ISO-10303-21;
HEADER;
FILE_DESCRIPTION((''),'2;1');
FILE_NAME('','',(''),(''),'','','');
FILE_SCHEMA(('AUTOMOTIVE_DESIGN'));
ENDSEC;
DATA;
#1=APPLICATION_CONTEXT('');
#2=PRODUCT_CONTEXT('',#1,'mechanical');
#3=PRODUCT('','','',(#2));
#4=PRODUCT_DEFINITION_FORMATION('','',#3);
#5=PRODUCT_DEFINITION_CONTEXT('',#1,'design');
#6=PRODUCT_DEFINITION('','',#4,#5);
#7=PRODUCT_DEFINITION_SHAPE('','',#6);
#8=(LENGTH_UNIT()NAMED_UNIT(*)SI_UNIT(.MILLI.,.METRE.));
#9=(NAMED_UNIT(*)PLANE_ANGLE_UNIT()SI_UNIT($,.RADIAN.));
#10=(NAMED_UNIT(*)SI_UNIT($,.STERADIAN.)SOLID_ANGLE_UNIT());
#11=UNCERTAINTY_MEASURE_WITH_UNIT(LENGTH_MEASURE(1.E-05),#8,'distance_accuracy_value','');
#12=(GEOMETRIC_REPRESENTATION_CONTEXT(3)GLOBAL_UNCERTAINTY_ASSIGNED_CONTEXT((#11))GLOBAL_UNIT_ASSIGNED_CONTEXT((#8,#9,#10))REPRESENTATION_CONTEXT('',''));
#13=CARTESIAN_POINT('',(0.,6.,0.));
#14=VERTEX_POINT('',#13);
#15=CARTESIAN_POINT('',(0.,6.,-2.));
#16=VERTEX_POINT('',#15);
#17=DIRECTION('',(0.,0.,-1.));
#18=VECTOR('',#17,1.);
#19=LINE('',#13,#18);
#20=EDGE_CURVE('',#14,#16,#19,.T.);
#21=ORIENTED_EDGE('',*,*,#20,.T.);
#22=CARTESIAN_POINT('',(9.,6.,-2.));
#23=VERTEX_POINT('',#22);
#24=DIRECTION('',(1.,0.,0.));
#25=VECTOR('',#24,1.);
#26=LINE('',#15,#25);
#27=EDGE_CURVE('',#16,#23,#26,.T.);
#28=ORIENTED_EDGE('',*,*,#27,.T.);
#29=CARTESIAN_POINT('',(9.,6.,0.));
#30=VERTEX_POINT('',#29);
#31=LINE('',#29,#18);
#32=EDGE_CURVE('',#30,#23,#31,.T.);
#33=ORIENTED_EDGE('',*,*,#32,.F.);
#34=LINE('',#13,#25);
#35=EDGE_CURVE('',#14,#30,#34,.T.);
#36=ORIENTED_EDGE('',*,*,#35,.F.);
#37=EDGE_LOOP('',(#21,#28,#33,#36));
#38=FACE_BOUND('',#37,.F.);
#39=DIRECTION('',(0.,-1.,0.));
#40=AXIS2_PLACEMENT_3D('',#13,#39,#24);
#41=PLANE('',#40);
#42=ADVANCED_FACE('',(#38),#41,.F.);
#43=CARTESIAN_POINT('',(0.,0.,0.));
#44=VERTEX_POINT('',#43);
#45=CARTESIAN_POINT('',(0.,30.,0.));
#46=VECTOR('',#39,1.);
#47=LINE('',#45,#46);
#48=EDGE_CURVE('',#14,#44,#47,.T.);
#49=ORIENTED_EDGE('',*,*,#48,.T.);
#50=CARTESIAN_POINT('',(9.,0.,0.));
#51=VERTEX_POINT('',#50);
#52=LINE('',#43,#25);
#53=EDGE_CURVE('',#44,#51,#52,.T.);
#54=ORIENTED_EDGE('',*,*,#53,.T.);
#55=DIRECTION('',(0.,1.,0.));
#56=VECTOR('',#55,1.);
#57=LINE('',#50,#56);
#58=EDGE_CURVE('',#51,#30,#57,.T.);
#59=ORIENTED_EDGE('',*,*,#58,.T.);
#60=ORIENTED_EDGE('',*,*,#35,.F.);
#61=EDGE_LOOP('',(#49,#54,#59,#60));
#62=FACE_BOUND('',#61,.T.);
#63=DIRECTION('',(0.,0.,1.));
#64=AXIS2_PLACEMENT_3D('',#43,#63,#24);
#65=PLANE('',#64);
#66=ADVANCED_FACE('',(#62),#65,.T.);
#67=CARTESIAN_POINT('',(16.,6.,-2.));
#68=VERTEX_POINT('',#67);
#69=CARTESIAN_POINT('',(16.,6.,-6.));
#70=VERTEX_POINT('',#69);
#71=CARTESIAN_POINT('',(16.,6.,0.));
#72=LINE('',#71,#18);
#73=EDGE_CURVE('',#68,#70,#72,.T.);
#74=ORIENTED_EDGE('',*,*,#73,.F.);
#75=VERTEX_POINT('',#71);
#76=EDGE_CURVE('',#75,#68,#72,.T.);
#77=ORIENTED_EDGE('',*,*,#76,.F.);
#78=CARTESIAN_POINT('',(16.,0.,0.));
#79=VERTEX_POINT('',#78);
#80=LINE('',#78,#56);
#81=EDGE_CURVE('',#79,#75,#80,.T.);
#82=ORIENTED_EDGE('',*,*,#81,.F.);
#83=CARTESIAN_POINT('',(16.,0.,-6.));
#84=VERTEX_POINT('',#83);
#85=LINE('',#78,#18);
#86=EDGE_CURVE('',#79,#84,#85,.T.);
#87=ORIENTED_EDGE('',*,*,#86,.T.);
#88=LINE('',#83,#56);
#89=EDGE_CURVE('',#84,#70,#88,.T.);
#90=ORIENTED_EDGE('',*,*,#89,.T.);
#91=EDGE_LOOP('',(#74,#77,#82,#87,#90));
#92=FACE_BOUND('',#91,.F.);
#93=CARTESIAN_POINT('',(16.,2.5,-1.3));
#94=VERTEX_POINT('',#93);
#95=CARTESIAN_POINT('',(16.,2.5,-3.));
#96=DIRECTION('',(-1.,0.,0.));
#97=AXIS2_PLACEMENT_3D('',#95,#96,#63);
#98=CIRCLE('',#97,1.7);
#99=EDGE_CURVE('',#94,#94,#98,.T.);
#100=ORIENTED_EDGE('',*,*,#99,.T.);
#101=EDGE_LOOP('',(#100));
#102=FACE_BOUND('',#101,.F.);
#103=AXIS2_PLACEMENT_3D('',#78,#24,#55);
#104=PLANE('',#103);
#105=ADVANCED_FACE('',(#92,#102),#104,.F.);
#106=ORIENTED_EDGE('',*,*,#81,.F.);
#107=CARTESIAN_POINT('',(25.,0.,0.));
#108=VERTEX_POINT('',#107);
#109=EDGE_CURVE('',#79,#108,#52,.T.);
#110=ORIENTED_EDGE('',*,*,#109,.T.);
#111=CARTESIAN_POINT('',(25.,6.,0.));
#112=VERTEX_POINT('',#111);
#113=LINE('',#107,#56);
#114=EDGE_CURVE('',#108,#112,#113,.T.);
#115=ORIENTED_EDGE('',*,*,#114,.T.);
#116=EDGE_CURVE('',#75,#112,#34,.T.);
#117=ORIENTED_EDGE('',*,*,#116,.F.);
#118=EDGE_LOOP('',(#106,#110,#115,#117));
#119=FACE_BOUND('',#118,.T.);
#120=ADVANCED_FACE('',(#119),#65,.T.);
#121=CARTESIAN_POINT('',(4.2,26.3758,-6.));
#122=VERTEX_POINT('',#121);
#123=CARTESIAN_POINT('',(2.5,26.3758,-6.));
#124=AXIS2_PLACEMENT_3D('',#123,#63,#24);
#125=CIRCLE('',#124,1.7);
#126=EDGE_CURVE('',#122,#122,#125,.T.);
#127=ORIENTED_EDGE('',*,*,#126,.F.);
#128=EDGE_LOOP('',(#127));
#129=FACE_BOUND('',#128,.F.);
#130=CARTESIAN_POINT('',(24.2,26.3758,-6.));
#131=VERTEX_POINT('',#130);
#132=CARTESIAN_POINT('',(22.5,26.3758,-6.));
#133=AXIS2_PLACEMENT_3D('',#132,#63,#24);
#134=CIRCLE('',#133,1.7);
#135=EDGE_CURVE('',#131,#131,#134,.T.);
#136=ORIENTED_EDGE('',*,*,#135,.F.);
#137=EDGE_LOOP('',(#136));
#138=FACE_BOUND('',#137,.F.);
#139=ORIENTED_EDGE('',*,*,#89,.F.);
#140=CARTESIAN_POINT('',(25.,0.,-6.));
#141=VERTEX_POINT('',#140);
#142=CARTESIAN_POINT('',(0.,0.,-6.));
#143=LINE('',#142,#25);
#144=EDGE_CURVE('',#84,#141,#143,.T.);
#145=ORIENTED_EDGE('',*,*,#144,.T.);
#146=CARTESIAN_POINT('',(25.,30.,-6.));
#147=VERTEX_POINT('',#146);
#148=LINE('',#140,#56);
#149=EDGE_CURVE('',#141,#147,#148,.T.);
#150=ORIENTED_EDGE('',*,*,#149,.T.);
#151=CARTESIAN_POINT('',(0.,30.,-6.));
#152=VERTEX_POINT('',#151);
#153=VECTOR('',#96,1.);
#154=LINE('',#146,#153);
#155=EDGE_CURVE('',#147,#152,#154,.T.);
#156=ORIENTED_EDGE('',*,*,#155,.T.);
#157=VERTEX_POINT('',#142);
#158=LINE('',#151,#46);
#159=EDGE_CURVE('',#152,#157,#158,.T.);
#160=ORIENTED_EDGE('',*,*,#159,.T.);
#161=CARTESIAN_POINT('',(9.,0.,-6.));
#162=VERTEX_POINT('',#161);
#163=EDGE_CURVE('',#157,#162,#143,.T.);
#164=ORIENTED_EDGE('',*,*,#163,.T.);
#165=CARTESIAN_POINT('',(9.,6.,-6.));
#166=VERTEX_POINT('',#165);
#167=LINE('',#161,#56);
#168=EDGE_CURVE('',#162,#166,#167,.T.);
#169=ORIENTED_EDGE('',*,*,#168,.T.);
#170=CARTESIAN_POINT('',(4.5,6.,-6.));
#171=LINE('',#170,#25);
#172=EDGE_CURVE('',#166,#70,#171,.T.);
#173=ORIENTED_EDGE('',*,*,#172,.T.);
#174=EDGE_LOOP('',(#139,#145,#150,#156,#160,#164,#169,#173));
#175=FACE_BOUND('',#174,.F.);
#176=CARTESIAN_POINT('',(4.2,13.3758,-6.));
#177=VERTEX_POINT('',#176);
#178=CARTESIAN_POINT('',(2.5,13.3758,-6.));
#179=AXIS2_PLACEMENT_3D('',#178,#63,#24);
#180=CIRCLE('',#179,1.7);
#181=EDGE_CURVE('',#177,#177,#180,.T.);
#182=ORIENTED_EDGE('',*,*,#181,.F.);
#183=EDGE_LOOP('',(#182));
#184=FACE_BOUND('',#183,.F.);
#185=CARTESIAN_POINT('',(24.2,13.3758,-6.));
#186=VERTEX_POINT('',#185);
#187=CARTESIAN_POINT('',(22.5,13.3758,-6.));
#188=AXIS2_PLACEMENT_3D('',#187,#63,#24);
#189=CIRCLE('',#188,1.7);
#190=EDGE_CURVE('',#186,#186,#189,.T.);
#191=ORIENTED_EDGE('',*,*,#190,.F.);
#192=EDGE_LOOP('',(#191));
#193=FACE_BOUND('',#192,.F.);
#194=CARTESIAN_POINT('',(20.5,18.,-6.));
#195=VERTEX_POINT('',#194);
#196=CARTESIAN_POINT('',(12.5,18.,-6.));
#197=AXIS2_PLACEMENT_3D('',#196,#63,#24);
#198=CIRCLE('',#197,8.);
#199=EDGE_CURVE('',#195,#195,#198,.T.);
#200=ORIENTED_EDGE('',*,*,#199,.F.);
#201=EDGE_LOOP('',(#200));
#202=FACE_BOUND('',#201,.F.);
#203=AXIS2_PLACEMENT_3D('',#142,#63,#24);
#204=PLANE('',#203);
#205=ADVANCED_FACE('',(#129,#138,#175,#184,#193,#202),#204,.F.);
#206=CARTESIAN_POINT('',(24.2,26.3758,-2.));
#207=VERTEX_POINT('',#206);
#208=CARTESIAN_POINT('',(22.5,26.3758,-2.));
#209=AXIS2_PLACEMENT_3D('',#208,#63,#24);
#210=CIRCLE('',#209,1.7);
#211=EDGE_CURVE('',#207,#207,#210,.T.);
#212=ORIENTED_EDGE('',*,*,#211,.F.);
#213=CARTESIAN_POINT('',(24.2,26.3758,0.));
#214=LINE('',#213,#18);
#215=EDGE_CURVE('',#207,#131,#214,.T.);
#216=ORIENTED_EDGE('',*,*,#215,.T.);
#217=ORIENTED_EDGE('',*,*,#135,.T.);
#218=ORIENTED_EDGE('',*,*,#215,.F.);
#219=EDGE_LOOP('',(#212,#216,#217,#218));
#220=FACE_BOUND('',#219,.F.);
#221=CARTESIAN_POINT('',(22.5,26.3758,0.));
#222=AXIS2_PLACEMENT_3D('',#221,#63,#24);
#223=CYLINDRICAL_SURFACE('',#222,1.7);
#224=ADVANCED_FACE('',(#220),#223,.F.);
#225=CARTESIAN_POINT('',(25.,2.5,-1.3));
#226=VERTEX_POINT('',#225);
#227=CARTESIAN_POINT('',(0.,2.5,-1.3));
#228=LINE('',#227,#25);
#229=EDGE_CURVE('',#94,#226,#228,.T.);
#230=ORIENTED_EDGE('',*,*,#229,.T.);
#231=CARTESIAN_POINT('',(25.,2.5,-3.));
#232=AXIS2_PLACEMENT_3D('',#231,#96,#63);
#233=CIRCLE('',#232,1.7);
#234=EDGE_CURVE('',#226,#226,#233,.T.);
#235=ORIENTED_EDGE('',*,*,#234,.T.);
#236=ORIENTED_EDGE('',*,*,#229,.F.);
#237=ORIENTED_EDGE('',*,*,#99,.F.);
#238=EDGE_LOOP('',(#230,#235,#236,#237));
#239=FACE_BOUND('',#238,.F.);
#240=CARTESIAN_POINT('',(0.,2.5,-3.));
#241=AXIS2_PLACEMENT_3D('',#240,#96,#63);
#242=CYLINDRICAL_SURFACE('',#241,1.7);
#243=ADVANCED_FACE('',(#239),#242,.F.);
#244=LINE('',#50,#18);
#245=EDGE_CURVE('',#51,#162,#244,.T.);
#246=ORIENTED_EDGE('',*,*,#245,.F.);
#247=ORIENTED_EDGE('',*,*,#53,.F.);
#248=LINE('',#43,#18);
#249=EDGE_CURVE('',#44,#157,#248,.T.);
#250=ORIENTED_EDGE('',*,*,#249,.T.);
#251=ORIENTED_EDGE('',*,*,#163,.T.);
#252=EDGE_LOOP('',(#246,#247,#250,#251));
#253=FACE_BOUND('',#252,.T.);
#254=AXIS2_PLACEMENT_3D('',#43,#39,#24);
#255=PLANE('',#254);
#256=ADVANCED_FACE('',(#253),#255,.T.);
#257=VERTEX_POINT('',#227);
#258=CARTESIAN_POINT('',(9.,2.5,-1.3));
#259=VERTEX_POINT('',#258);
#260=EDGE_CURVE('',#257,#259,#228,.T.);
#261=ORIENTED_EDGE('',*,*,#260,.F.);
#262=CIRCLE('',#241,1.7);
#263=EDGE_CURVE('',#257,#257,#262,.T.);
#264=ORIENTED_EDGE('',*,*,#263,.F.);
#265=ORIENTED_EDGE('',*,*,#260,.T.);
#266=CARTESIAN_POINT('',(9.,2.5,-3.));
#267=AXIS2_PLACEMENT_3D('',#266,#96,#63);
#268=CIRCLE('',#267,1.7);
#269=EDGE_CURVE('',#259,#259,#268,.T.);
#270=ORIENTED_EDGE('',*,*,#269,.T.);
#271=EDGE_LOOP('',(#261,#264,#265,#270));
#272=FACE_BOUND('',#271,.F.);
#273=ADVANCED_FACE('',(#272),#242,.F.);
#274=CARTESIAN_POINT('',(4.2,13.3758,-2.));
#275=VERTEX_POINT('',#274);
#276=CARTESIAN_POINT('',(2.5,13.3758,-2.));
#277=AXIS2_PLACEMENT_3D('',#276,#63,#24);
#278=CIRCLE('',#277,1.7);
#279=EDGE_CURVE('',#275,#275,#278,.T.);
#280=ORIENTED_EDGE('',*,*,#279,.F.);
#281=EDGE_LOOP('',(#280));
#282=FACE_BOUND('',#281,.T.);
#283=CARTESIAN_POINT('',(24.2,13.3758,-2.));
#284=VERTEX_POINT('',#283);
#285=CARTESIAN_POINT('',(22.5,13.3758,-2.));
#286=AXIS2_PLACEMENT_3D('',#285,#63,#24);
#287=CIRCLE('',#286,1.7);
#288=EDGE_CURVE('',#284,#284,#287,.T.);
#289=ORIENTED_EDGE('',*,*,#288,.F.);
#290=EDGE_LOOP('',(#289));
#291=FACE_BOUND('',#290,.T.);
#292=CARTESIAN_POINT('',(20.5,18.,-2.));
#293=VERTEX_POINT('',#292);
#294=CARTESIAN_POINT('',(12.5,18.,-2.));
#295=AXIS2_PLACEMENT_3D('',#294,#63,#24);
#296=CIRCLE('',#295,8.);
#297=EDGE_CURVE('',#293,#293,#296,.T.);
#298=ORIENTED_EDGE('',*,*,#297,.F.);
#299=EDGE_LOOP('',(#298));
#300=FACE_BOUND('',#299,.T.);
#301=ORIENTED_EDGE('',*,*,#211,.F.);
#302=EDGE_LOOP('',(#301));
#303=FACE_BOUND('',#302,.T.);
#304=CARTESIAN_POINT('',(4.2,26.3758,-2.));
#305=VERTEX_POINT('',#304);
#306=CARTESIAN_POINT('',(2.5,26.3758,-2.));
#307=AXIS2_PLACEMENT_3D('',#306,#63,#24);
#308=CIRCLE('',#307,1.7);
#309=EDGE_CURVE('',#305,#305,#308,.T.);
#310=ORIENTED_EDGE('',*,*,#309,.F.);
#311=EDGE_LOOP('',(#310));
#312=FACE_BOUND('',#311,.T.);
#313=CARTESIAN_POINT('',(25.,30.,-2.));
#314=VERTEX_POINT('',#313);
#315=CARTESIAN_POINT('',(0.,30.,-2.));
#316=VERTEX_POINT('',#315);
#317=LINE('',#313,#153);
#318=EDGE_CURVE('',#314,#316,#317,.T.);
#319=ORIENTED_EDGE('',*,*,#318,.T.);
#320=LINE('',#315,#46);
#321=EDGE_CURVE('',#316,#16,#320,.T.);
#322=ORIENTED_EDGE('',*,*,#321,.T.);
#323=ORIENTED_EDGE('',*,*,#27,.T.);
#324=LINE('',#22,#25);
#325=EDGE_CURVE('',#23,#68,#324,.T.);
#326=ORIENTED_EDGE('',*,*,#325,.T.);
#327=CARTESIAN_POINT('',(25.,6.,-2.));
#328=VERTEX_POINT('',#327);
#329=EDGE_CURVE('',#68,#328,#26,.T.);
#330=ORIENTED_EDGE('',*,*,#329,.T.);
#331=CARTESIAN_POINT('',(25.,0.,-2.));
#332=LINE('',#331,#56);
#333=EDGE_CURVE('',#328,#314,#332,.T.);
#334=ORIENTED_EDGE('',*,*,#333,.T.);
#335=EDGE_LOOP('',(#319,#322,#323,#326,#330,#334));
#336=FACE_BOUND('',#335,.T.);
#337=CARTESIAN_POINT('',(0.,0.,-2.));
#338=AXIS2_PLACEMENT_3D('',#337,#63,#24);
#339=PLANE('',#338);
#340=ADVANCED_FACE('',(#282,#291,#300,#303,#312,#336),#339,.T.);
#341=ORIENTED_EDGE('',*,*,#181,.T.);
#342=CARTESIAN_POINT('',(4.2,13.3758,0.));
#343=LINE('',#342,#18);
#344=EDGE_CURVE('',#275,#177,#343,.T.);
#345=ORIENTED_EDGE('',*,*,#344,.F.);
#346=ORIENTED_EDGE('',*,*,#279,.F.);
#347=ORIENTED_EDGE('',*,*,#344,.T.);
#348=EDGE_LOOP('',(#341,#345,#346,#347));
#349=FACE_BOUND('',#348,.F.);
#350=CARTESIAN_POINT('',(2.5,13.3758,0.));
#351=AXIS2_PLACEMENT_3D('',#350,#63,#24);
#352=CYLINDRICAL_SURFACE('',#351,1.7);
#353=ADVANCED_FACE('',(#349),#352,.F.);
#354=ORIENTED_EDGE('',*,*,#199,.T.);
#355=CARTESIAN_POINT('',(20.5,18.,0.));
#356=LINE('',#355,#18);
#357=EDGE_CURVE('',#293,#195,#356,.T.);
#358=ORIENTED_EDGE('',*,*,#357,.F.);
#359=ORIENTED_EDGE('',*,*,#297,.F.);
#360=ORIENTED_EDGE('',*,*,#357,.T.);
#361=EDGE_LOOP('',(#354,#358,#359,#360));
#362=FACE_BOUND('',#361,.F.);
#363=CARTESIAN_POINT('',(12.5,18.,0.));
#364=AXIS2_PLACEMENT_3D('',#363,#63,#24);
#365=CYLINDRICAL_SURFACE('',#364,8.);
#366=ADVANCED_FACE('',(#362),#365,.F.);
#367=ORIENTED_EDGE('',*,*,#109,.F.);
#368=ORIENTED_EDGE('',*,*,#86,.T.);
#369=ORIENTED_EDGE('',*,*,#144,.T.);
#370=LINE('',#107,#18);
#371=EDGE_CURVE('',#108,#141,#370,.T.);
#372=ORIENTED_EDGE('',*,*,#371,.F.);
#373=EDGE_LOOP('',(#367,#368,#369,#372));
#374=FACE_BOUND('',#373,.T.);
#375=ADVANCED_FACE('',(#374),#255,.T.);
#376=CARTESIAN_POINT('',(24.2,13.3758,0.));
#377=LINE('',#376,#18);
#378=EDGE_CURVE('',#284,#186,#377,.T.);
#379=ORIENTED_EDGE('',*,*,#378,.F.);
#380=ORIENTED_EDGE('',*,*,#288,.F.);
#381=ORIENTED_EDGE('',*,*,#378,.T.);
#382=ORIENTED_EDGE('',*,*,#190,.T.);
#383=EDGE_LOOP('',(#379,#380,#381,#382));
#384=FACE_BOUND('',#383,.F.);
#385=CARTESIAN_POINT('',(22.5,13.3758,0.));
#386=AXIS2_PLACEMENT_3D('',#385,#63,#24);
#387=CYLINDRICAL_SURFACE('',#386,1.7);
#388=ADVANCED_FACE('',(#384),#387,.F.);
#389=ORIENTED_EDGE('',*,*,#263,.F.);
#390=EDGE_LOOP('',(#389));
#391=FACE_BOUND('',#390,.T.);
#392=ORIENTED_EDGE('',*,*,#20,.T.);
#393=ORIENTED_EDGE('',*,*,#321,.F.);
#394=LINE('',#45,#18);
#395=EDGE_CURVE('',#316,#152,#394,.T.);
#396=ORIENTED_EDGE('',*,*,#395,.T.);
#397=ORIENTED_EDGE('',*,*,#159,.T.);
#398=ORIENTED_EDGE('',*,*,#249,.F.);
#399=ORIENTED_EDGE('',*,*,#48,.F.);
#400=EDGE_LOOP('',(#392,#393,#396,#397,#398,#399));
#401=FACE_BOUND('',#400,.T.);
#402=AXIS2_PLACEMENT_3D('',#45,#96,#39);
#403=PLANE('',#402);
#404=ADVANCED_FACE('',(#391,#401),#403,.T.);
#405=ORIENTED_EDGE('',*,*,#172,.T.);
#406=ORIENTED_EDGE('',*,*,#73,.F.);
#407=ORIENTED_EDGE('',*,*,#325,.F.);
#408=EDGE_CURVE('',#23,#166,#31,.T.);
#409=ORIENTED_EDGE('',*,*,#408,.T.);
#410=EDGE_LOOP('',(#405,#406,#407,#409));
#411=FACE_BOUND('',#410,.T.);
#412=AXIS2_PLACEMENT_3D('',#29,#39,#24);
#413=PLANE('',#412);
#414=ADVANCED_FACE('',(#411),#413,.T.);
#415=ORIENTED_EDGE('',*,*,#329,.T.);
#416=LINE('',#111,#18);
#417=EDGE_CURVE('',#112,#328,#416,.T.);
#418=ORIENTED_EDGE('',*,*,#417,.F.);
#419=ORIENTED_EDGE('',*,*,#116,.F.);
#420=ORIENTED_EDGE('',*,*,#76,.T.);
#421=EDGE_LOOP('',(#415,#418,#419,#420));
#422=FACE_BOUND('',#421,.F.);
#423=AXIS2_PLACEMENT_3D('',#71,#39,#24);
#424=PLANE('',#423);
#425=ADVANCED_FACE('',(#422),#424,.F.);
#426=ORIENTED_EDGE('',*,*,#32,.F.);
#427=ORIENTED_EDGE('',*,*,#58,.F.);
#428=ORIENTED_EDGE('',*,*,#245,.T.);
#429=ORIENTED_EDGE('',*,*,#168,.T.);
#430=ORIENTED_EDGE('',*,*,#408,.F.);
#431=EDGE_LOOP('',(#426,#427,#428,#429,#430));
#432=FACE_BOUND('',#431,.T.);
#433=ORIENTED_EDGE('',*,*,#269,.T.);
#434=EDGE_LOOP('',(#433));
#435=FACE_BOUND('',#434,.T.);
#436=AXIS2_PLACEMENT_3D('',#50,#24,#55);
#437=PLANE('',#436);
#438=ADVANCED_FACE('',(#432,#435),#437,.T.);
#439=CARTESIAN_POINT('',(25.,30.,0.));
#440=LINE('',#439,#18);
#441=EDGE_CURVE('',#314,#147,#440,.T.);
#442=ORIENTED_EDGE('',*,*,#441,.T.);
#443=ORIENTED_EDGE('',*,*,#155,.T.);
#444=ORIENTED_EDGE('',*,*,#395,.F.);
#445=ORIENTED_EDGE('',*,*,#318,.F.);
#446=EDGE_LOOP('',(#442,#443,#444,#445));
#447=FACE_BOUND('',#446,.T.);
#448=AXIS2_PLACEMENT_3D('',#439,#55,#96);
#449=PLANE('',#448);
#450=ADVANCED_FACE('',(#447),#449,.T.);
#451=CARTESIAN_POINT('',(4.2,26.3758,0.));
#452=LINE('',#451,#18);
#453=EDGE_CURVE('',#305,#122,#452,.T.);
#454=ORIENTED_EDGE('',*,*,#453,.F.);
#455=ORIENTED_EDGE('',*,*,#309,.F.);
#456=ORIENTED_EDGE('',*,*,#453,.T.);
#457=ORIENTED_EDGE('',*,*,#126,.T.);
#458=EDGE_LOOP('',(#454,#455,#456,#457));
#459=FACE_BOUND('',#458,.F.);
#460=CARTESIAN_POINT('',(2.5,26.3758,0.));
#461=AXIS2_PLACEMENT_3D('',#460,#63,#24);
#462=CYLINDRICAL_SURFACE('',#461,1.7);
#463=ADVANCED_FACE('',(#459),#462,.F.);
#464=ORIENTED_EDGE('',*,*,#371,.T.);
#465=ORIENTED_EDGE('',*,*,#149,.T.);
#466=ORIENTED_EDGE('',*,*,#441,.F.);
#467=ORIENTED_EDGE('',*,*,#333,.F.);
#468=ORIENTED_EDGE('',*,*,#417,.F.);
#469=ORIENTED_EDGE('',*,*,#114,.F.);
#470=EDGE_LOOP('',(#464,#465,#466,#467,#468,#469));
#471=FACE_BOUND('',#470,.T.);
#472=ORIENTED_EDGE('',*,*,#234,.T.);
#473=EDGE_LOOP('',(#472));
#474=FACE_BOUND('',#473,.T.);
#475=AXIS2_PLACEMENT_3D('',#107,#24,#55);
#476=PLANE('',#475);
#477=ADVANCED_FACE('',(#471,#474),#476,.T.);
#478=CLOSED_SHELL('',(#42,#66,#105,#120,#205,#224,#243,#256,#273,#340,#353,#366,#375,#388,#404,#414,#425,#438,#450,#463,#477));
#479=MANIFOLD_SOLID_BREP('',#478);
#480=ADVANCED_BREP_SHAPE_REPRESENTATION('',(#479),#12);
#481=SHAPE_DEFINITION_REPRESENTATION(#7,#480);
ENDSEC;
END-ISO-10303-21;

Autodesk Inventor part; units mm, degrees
ref_plane "YZ Plane" through (0, 0, 0) normal (1, 0, 0) x (0, 1, 0)
ref_plane "XZ Plane" through (0, 0, 0) normal (0, 1, 0) x (-1, 0, 0)
ref_plane "XY Plane" through (0, 0, 0) normal (0, 0, 1) x (1, 0, 0)
sketch "Skizze1" plane through (0, 0, 0) normal (0, 0, 1) x (1, 0, 0)
  line L0 (0, 0) -> (25, 0)
  line L1 (25, 0) -> (25, 30)
  line L2 (25, 30) -> (0, 30)
  line L3 (0, 30) -> (0, 0)
  dimension "d0" = 30
  dimension "d1" = 25
extrude "Extrusion1" add sketch "Skizze1" against normal blind 6
sketch "Skizze2" plane through (0, 0, 0) normal (0, 0, 1) x (1, 0, 0)
  circle A0 centre (12.5, 18) radius 8
  line L0 (25, 0) -> (25, 30) projected
  line L1 (0, 0) -> (25, 0) projected
  dimension "d4" = 16
  dimension "d5" = 12.5
  dimension "d6" = 18
extrude "Extrusion2" cut sketch "Skizze2" against normal blind 10
sketch "Skizze4" plane through (0, 0, 0) normal (0, 0, 1) x (1, 0, 0)
  line L0 (2.5, 13.3758) -> (22.5, 13.3758) construction
  line L1 (22.5, 13.3758) -> (22.5, 26.3758) construction
  line L2 (22.5, 26.3758) -> (2.5, 26.3758) construction
  line L3 (2.5, 26.3758) -> (2.5, 13.3758) construction
  line L4 (25, 0) -> (25, 30) construction
  circle A0 centre (2.5, 26.3758) radius 1.7
  circle A1 centre (22.5, 26.3758) radius 1.7
  circle A2 centre (22.5, 13.3758) radius 1.7
  circle A3 centre (2.5, 13.3758) radius 1.7
  point P0 (0, 0)
  point P1 (25, 3.0001)
  dimension "d12" = 20
  dimension "d13" = 13
  dimension "d14" = 2.5
  dimension "d15" = 3.4
  dimension "d16" = 3.4
  dimension "d17" = 3.4
  dimension "d18" = 3.4
extrude "Extrusion4" cut sketch "Skizze4" against normal blind 10
sketch "Skizze6" plane through (0, 0, 0) normal (0, 0, 1) x (1, 0, 0)
  line L0 (25, 0) -> (0, 0) projected
  line L1 (25, 0) -> (16, 0)
  line L2 (16, 0) -> (16, 6)
  line L3 (16, 6) -> (25, 6)
  line L4 (25, 6) -> (25, 0)
  line L5 (0, 0) -> (9, 0)
  line L6 (9, 0) -> (9, 6)
  line L7 (9, 6) -> (0, 6)
  line L8 (0, 6) -> (0, 0)
  line L9 (9, 6) -> (16, 6)
  line L10 (16, 6) -> (16, 0)
  line L11 (16, 0) -> (9, 0)
  line L12 (9, 0) -> (9, 6)
  dimension "d21" = 9
  dimension "d22" = 9
  dimension "d23" = 6
extrude "Extrusion5" cut sketch "Skizze6" against normal blind 10 contours L0 L6 L9 L2
sketch "Skizze7" plane through (0, 0, 0) normal (-1, 0, 0) x (0, 0, 1)
  circle A0 centre (-3, 2.5) radius 1.7
  line L0 (0, 30) -> (0, 0) projected
  line L1 (0, 0) -> (-6, 0) projected
  dimension "d26" = 3.4
  dimension "d27" = 3
  dimension "d28" = 2.5
extrude "Extrusion6" cut sketch "Skizze7" against normal blind 40
sketch "Skizze8" plane through (0, 0, 0) normal (0, 0, 1) x (1, 0, 0)
  line L0 (16, 6) -> (16, 0) projected
  line L1 (16, 0) -> (25, 0) projected
  line L2 (25, 0) -> (25, 30) projected
  line L3 (25, 30) -> (0, 30) projected
  line L4 (0, 30) -> (0, 0) projected
  line L5 (0, 0) -> (9, 0) projected
  line L6 (9, 0) -> (9, 6) projected
  line L7 (9, 6) -> (16, 6) projected
  circle A0 centre (22.5, 13.3758) radius 1.7 projected
  circle A1 centre (2.5, 26.3758) radius 1.7 projected
  circle A2 centre (22.5, 26.3758) radius 1.7 projected
  circle A3 centre (2.5, 13.3758) radius 1.7 projected
  circle A4 centre (12.5, 18) radius 8 projected
  line L8 (0, 30) -> (0, 0) projected
  line L9 (0, 6) -> (25, 6)
  line L10 (25, 0) -> (25, 30) projected
  line L11 (25, 6) -> (25, 30)
  line L12 (25, 30) -> (0, 30) projected
  line L13 (25, 30) -> (0, 30)
  line L14 (0, 30) -> (0, 6)
extrude "Extrusion7" cut sketch "Skizze8" against normal blind 2 contours L7 L9 L4 L3 L2
properties part number "kamera ot" material "CFK"
